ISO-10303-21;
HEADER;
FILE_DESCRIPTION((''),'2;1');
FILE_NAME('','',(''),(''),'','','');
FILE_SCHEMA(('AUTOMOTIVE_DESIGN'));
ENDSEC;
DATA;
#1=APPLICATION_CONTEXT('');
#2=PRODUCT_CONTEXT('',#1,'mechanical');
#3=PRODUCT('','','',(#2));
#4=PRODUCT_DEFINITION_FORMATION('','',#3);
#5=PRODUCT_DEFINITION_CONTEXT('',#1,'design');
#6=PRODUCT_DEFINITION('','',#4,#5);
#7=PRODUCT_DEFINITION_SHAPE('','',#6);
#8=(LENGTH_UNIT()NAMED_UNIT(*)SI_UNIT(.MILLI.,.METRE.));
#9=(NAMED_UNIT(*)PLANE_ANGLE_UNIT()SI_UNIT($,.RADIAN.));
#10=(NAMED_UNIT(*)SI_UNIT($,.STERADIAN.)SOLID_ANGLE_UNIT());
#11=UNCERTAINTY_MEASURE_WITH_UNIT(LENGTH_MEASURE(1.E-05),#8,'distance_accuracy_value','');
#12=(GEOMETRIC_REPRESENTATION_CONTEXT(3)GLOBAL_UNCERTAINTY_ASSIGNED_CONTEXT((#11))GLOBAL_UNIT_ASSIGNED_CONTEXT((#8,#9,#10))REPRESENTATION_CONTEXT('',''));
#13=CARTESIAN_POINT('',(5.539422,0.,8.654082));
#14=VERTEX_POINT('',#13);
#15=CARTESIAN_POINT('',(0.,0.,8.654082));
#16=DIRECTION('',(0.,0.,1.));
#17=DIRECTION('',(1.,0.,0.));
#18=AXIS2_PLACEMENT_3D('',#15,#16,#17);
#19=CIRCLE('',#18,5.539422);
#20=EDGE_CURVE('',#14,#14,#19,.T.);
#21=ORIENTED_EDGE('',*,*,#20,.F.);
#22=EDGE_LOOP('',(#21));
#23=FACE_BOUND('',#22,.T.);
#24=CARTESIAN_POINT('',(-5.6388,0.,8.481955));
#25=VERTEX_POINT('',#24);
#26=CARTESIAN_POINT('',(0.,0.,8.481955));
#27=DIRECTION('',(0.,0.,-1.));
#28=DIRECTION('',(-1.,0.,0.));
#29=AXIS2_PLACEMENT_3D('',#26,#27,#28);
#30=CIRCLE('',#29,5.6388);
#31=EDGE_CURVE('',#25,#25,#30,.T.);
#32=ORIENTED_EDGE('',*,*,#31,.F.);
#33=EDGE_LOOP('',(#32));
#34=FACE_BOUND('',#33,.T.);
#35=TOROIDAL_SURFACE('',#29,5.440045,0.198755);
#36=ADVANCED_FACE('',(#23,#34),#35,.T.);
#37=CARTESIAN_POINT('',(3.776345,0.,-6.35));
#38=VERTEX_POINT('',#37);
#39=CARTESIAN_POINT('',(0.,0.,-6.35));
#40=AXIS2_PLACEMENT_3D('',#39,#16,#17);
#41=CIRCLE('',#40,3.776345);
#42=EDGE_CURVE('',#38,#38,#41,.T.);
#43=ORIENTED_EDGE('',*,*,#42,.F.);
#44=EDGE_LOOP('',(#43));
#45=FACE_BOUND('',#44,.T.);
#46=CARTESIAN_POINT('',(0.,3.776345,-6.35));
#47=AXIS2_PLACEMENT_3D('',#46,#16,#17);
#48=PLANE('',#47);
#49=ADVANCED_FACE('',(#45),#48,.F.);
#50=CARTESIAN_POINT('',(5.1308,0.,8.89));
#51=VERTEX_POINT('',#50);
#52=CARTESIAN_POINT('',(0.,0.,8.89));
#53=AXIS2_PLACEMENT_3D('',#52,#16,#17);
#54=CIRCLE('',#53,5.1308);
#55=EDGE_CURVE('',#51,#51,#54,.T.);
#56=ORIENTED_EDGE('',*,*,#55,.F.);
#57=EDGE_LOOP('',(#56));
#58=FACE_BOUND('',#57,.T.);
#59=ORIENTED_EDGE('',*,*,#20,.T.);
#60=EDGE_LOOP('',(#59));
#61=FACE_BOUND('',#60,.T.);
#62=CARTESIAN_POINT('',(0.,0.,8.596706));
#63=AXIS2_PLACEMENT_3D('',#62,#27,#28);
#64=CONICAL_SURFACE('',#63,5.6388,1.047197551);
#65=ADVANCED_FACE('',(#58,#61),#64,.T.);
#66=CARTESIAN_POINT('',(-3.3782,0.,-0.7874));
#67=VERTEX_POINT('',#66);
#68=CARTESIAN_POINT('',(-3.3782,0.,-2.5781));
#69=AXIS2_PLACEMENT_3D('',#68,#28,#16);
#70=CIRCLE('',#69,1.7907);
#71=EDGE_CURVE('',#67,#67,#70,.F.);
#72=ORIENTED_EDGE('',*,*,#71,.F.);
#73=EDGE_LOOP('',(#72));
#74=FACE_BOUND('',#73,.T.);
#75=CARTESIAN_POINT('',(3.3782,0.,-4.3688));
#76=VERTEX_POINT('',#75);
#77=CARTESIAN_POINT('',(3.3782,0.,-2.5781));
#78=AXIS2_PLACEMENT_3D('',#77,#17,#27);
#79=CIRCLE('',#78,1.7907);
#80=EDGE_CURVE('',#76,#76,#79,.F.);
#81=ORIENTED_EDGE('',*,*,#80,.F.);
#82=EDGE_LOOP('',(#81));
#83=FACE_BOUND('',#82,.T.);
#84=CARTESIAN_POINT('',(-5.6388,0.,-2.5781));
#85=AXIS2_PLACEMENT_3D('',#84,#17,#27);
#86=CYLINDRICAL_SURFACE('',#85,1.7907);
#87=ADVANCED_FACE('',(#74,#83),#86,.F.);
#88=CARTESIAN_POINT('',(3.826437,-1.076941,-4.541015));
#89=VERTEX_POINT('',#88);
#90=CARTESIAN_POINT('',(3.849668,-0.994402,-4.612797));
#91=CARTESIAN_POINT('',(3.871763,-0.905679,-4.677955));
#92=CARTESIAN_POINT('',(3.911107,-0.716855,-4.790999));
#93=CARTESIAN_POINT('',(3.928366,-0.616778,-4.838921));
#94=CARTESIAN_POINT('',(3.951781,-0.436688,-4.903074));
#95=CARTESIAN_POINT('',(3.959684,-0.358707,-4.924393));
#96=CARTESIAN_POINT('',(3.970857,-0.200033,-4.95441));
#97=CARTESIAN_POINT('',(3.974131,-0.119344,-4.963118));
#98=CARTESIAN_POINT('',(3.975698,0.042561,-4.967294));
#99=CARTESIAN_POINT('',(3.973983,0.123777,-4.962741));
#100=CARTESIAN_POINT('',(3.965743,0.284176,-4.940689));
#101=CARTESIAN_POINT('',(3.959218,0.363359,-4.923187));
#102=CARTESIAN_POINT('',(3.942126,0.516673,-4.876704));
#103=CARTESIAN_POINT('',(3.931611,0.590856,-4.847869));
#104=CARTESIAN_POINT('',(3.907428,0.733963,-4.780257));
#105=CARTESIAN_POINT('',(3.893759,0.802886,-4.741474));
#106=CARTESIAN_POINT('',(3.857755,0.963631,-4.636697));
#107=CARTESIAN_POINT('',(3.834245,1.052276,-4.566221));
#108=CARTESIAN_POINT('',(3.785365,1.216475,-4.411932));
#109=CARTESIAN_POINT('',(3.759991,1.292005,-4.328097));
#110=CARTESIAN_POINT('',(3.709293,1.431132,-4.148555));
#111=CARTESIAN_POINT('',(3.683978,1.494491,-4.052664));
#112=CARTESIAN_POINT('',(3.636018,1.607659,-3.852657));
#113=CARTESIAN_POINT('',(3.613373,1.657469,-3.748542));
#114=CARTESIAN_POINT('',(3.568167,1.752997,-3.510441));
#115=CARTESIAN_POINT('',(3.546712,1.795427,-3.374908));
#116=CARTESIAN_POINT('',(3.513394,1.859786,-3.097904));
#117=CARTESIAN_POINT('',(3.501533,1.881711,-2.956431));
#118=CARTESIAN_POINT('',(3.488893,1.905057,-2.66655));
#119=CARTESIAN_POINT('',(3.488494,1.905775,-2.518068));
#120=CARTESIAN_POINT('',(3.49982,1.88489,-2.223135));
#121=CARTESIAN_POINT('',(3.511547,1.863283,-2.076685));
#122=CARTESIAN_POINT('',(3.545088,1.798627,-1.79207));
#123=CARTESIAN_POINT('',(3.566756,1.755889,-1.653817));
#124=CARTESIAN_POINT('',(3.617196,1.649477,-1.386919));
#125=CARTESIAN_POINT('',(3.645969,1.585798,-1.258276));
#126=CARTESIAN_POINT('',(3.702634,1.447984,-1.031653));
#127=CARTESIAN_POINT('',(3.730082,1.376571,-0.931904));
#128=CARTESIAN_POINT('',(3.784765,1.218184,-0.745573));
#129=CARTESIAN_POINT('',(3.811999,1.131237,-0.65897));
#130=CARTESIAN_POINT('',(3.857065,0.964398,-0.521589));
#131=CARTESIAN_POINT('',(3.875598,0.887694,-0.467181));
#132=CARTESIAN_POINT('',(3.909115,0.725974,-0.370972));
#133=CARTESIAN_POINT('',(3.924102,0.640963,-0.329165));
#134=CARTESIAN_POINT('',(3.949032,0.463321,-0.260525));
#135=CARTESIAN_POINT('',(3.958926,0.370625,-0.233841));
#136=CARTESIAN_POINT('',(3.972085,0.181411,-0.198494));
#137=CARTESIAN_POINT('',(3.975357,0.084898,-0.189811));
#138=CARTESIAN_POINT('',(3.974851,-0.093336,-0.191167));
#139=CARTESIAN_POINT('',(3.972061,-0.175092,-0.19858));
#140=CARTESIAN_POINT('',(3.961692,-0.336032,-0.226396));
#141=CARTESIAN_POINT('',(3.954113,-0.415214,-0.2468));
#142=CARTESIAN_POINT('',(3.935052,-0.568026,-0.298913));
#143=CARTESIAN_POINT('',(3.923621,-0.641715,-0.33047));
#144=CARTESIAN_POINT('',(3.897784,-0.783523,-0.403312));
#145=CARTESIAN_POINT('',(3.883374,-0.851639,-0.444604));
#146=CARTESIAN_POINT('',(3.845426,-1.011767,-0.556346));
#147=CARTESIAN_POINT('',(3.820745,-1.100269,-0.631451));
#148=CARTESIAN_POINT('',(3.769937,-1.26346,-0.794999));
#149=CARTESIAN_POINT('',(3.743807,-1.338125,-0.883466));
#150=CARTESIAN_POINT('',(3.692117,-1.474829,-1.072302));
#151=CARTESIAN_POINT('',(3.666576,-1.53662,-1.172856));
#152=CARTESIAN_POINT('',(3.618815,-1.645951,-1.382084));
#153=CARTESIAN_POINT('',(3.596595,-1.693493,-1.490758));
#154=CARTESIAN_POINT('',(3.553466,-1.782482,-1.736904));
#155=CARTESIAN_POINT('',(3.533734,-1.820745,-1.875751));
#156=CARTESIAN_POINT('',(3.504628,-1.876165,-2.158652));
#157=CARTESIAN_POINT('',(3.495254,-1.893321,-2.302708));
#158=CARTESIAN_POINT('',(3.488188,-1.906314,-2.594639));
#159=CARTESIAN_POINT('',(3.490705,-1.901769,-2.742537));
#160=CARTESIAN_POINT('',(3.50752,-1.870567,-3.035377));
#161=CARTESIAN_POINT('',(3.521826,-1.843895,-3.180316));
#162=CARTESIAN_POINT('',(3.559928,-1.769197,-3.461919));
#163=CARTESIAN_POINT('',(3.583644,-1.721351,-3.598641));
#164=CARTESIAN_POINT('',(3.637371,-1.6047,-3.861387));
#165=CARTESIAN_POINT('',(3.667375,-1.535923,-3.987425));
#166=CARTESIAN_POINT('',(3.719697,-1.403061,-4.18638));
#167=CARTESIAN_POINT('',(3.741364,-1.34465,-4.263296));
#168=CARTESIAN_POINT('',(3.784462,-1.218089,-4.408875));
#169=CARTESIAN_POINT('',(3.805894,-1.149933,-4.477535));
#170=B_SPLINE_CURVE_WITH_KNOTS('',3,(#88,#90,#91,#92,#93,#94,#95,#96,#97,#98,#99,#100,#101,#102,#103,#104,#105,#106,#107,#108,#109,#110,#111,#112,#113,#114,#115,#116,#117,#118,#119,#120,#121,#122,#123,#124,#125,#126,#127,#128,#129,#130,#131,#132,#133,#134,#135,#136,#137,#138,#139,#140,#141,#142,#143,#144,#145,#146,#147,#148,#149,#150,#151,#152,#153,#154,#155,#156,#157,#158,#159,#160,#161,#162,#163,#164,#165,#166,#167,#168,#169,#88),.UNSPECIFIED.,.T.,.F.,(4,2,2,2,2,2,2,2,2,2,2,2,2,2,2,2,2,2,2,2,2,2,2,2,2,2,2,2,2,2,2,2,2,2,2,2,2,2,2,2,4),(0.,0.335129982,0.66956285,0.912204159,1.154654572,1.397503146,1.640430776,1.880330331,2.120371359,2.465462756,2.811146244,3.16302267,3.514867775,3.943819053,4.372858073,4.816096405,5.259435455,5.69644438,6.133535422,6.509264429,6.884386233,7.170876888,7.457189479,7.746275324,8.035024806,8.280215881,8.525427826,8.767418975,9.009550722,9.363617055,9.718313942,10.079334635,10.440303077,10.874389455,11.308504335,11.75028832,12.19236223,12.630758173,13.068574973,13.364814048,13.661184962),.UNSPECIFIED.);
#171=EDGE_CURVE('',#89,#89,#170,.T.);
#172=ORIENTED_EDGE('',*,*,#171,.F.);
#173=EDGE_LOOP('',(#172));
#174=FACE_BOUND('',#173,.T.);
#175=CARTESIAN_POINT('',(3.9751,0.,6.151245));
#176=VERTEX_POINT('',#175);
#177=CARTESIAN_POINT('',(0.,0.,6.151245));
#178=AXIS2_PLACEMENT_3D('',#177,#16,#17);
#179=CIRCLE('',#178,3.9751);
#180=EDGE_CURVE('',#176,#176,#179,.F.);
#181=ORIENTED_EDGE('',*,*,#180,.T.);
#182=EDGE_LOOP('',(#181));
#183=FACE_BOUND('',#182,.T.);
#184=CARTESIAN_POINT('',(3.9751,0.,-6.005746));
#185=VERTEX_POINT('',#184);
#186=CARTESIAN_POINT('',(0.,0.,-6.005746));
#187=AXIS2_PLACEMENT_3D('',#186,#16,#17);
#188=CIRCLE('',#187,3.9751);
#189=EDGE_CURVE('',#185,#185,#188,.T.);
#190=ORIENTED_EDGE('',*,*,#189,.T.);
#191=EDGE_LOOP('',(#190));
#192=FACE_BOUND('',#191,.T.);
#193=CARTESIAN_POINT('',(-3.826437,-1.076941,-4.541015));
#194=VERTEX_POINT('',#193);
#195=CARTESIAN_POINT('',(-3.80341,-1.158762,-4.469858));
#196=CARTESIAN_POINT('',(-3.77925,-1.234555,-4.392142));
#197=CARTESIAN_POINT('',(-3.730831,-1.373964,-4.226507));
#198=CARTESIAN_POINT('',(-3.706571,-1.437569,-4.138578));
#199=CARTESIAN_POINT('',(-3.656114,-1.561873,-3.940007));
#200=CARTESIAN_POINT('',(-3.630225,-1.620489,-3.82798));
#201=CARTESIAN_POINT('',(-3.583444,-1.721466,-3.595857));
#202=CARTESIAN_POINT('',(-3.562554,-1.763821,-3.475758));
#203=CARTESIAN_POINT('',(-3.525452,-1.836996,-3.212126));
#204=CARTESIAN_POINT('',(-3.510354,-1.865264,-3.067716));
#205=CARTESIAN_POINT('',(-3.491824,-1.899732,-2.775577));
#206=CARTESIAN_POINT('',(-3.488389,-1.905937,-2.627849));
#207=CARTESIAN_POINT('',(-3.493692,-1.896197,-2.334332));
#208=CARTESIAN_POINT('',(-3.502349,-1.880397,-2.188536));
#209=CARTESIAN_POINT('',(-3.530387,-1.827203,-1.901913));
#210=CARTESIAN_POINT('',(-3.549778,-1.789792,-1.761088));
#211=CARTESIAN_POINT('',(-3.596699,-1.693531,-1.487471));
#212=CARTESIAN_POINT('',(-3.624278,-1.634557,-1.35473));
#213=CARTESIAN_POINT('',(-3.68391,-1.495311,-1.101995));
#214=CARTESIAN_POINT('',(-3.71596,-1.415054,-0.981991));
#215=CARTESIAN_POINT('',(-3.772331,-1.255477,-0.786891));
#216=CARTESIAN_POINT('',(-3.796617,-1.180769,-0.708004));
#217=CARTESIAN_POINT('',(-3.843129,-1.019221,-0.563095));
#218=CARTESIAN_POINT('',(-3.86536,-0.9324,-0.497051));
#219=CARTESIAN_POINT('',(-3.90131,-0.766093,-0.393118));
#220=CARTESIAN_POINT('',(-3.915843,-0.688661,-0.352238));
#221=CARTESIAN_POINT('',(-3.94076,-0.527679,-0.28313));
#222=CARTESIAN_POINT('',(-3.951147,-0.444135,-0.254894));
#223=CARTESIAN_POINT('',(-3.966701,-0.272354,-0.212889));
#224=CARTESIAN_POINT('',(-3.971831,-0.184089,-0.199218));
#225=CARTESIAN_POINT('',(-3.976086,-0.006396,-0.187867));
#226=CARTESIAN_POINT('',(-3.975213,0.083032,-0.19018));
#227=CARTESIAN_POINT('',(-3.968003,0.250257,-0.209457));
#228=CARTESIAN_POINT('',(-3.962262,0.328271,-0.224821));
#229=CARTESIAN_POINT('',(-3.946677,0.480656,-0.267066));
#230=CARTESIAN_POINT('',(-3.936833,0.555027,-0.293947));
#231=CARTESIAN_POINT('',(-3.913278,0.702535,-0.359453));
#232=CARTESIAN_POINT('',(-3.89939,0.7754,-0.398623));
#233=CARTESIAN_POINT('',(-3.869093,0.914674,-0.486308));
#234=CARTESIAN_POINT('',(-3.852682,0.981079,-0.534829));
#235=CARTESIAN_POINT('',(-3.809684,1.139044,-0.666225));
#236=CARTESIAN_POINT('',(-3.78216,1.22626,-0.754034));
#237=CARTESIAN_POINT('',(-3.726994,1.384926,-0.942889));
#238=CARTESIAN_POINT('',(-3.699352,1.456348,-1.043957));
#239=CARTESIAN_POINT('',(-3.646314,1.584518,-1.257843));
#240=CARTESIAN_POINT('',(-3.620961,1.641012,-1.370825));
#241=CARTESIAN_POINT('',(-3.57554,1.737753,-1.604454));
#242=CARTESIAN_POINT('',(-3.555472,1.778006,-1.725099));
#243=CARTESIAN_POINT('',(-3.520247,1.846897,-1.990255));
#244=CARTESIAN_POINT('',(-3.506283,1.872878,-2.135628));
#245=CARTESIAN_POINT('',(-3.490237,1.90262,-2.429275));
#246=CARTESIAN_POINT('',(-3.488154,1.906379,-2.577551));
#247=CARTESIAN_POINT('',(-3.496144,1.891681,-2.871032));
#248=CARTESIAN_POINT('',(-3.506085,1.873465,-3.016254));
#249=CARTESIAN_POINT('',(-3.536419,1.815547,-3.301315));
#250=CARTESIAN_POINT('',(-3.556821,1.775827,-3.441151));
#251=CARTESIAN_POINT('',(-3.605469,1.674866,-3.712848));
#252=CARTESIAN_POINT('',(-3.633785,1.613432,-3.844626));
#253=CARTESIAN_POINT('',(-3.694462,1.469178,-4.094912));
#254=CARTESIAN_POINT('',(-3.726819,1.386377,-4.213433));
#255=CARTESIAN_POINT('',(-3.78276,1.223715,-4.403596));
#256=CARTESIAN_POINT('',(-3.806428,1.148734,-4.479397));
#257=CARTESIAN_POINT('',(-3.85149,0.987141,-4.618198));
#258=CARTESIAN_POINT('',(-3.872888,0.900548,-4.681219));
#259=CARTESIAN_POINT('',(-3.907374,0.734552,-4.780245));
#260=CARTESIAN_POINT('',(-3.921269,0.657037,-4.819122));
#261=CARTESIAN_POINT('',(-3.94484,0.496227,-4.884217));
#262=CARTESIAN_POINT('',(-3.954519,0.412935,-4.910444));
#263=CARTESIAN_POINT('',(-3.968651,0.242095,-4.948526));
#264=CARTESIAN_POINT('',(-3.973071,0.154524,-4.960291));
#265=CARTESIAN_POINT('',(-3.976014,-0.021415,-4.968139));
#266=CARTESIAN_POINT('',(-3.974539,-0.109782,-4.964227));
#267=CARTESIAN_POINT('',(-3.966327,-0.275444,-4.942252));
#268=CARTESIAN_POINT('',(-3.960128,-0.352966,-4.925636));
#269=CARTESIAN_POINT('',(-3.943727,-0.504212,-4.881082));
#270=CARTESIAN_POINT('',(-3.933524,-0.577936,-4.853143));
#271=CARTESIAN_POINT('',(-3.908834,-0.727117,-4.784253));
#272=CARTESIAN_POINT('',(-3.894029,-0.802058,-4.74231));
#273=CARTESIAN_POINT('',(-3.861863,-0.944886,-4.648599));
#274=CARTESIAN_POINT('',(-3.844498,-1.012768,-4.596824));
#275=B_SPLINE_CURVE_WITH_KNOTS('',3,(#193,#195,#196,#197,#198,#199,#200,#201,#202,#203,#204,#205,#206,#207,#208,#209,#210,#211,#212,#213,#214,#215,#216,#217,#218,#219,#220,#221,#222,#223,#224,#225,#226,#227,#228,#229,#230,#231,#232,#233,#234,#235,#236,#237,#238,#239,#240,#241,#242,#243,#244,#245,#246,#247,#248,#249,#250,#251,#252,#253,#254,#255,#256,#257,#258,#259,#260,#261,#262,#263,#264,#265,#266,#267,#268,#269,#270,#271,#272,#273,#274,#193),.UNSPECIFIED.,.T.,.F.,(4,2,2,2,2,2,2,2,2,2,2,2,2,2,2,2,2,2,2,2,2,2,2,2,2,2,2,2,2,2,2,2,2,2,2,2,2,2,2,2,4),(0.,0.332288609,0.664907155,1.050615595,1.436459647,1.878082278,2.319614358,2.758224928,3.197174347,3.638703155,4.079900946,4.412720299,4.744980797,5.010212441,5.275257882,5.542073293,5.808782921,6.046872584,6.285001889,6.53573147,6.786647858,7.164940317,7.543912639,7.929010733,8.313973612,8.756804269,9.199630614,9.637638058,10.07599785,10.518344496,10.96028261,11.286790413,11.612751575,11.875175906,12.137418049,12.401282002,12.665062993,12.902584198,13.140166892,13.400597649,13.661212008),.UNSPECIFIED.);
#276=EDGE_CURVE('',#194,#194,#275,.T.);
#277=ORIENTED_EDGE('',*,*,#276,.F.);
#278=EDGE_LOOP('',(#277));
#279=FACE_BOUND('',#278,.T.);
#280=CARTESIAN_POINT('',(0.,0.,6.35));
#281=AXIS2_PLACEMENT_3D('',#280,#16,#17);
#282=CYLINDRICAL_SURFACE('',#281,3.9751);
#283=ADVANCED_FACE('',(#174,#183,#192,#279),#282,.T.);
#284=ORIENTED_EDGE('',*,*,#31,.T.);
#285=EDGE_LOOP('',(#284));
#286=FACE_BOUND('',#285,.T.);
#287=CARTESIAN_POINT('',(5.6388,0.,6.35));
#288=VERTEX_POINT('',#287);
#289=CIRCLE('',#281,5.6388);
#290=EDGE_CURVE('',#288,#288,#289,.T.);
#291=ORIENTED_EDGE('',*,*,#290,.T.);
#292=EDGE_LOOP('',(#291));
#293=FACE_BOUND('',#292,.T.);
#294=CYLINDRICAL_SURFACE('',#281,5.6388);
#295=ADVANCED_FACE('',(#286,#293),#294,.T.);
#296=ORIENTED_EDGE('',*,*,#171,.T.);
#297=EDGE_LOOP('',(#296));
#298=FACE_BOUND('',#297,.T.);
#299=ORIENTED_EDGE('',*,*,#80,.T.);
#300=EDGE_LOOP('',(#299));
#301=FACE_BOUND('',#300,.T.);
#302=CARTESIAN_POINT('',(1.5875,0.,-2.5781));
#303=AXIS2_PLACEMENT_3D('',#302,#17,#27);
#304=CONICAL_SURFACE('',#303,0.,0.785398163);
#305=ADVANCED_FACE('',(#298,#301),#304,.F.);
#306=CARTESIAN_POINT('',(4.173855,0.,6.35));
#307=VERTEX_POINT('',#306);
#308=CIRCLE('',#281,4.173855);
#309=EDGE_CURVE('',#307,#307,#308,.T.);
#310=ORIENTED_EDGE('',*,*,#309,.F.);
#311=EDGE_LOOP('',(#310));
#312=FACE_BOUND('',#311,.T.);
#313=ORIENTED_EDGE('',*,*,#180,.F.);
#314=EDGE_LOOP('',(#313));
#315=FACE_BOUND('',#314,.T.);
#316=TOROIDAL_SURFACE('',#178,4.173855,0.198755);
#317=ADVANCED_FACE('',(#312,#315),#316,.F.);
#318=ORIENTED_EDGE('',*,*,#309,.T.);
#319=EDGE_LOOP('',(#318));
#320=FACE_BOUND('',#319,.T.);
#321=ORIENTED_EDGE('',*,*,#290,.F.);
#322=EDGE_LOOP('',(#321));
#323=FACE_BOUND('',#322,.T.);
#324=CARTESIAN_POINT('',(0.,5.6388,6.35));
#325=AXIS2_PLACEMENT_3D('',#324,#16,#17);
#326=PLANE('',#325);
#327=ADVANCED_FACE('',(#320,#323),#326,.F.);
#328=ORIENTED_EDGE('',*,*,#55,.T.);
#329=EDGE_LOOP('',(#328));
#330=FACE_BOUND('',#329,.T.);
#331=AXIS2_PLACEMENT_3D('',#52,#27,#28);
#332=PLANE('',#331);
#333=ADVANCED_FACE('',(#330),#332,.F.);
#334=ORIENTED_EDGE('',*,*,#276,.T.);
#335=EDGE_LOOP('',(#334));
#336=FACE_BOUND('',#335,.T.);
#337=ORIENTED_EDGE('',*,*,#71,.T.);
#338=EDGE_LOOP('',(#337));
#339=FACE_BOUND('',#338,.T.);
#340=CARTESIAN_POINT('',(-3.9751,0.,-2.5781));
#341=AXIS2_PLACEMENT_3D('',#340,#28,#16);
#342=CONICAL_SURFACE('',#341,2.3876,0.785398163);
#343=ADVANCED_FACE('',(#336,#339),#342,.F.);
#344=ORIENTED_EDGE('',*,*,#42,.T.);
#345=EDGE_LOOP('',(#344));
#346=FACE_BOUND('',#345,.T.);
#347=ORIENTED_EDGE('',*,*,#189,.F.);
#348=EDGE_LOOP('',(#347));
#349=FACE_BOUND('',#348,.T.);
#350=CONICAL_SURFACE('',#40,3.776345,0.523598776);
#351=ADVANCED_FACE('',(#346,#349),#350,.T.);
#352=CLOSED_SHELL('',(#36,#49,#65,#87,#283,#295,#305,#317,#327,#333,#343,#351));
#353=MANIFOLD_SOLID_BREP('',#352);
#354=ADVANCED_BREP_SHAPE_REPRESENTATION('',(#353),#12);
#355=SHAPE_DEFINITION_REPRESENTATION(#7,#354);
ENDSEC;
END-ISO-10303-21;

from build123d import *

# Parameters (mm, degrees)
CUT_EXTRUDE1_DEPTH      = 12.942538712
CUT_EXTRUDE1_DEPTH_BACK = 12.942538712
SKETCH3_R               = 1.7907
FILLET1_R               = 0.198755


with BuildPart() as part:
    # Sketch2 → Revolve1 (revolve)
    with BuildSketch(Plane(origin=(0, 0, 0), x_dir=(0, 0, -1), z_dir=(1, 0, 0)), mode=Mode.PRIVATE) as revolve1_sk:
        Polygon((6.35, 3.776345), (6.35, 0), (-8.89, 0), (-8.89, 5.1308), (-8.596706063, 5.6388), (-6.35, 5.6388), (-6.35, 3.9751), (6.005746242, 3.9751), align=None)
    revolve(revolve1_sk.sketch.rotate(Axis((0, 0, 6.35), (0, 0, -1)), 90), axis=Axis((0, 0, 6.35), (0, 0, -1)))

    # Sketch3 → Cut-Extrude1 (cut, two sides: drawn at the far end of the back side and taken through both)
    with BuildSketch(Plane(origin=(0, 0, 0), x_dir=(0, 0, -1), z_dir=(1, 0, 0)).offset(-CUT_EXTRUDE1_DEPTH_BACK)):
        with Locations((2.5781, 0)):
            Circle(SKETCH3_R)
    extrude(amount=CUT_EXTRUDE1_DEPTH + CUT_EXTRUDE1_DEPTH_BACK, mode=Mode.SUBTRACT)

    # Fillet1
    fillet1_edges = [part.edges().sort_by_distance(p)[0] for p in [
        (-5.6388, 0, 8.596706063),
        (-3.9751, 0, 6.35),
    ]]
    fillet(fillet1_edges, radius=FILLET1_R)

    # Sketch4 → Cut-Revolve1 (revolve, cut)
    with BuildSketch(Plane(origin=(0, 0, 0), x_dir=(1, 0, 0), z_dir=(0, 1, 0)), mode=Mode.PRIVATE) as cut_revolve1_sk:
        Polygon((3.9751, 2.5781), (3.9751, 0.1905), (1.5875, 2.5781), align=None)
        Polygon((-3.9751, 0.1905), (-1.5875, 2.5781), (-3.9751, 2.5781), align=None)
    revolve(cut_revolve1_sk.sketch.rotate(Axis((3.9751, 0, -2.5781), (-1, 0, 0)), 180), axis=Axis((3.9751, 0, -2.5781), (-1, 0, 0)), mode=Mode.SUBTRACT)


solid = part.part
